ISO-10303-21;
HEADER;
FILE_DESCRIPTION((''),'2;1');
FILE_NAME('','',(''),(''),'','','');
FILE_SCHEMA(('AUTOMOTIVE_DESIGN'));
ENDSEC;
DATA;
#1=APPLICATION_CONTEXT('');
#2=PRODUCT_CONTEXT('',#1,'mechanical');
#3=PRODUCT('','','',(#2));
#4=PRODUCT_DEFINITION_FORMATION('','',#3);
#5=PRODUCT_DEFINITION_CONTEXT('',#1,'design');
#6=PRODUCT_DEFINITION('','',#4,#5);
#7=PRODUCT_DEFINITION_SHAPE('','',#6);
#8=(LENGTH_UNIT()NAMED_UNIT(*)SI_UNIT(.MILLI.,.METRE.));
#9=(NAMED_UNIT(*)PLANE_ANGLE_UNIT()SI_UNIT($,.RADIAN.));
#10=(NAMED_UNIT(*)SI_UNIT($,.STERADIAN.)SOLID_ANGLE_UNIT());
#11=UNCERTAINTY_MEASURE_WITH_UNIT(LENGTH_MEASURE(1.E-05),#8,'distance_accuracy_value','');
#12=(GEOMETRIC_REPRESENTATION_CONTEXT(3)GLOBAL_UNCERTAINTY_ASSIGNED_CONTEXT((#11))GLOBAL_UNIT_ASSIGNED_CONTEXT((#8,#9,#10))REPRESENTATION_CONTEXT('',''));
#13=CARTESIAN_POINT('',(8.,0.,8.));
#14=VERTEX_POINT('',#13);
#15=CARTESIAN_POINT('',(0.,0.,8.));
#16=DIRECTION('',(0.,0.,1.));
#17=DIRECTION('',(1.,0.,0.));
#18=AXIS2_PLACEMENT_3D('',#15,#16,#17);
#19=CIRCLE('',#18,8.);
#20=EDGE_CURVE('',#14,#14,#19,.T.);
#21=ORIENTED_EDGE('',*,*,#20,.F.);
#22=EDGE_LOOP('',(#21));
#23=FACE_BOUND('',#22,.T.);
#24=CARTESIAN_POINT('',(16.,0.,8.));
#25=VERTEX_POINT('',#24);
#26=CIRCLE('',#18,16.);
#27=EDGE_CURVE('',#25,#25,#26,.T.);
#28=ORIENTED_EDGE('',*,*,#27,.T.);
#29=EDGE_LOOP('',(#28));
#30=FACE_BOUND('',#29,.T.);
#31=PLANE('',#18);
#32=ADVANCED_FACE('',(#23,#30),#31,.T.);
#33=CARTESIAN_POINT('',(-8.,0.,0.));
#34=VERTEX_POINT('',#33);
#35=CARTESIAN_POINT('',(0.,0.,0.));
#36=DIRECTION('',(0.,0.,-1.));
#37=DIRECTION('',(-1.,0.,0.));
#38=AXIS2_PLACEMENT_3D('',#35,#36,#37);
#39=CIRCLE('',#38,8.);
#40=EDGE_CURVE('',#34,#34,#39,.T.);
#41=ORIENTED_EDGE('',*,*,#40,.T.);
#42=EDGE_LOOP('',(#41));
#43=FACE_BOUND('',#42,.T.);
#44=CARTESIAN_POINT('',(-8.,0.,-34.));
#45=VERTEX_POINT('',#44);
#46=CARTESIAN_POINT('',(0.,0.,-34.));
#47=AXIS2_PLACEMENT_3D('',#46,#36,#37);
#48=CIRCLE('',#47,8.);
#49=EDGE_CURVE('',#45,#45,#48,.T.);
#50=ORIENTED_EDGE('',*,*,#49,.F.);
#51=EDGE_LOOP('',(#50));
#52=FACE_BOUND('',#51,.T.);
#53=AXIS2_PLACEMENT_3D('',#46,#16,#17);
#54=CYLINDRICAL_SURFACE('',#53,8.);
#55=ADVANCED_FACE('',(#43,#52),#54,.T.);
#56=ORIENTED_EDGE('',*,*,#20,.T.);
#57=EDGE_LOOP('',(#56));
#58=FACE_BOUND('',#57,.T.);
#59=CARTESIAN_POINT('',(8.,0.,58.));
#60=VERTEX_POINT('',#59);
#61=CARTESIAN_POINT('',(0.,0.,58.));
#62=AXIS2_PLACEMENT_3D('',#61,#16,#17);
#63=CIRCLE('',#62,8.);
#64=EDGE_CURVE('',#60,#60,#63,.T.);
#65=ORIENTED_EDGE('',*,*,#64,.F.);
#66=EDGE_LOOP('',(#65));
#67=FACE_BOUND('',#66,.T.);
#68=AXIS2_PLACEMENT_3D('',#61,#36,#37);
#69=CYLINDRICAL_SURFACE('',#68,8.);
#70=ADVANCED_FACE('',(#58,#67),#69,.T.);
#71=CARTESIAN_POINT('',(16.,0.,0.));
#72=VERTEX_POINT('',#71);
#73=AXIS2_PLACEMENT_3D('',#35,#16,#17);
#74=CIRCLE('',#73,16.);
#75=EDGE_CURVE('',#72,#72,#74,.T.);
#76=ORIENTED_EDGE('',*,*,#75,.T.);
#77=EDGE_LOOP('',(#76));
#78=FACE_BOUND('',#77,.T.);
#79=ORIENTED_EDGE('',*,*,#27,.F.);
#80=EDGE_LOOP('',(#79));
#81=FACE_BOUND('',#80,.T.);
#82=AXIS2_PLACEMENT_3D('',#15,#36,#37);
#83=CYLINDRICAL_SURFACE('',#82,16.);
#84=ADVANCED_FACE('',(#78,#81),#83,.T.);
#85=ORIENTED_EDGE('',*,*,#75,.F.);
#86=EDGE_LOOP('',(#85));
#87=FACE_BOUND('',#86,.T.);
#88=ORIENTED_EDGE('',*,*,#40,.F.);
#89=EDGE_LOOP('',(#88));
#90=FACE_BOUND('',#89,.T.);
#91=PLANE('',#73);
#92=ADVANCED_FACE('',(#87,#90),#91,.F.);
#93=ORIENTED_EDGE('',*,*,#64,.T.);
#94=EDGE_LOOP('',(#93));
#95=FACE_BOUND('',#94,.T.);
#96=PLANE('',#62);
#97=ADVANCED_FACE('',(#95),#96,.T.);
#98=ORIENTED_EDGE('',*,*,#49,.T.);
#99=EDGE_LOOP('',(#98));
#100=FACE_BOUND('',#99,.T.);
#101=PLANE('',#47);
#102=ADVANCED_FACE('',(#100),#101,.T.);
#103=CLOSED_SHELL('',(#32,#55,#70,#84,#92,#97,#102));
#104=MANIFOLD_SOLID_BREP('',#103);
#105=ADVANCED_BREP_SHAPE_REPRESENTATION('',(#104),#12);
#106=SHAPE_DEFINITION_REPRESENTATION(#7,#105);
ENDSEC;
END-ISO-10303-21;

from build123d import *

# Parameters (mm, degrees)
ESQUISSE1_R          = 16
BASE_EXTRUSION_DEPTH = 8
ESQUISSE2_R          = 8
BOSS_EXTRU_1_DEPTH   = 50
BOSS_EXTRU_2_START   = 34
ESQUISSE3_R          = 8
BOSS_EXTRU_2_DEPTH   = 34


with BuildPart() as part:
    # Esquisse1 → Base-Extrusion (new body)
    with BuildSketch(Plane.XY):
        Circle(ESQUISSE1_R)
    extrude(amount=BASE_EXTRUSION_DEPTH)

    # Esquisse2 → Boss.-Extru.1 (add)
    with BuildSketch(Plane.XY.offset(8)):
        Circle(ESQUISSE2_R)
    extrude(amount=BOSS_EXTRU_1_DEPTH)

    # Esquisse3 → Boss.-Extru.2 (add)
    with BuildSketch(Plane(origin=(0, 0, 0), x_dir=(-1, 0, 0), z_dir=(0, 0, -1)).offset(BOSS_EXTRU_2_START)):
        with Locations(Location((0, 0, 0), (0, 0, 180))):
            Circle(ESQUISSE3_R)
    extrude(amount=-BOSS_EXTRU_2_DEPTH)


solid = part.part
